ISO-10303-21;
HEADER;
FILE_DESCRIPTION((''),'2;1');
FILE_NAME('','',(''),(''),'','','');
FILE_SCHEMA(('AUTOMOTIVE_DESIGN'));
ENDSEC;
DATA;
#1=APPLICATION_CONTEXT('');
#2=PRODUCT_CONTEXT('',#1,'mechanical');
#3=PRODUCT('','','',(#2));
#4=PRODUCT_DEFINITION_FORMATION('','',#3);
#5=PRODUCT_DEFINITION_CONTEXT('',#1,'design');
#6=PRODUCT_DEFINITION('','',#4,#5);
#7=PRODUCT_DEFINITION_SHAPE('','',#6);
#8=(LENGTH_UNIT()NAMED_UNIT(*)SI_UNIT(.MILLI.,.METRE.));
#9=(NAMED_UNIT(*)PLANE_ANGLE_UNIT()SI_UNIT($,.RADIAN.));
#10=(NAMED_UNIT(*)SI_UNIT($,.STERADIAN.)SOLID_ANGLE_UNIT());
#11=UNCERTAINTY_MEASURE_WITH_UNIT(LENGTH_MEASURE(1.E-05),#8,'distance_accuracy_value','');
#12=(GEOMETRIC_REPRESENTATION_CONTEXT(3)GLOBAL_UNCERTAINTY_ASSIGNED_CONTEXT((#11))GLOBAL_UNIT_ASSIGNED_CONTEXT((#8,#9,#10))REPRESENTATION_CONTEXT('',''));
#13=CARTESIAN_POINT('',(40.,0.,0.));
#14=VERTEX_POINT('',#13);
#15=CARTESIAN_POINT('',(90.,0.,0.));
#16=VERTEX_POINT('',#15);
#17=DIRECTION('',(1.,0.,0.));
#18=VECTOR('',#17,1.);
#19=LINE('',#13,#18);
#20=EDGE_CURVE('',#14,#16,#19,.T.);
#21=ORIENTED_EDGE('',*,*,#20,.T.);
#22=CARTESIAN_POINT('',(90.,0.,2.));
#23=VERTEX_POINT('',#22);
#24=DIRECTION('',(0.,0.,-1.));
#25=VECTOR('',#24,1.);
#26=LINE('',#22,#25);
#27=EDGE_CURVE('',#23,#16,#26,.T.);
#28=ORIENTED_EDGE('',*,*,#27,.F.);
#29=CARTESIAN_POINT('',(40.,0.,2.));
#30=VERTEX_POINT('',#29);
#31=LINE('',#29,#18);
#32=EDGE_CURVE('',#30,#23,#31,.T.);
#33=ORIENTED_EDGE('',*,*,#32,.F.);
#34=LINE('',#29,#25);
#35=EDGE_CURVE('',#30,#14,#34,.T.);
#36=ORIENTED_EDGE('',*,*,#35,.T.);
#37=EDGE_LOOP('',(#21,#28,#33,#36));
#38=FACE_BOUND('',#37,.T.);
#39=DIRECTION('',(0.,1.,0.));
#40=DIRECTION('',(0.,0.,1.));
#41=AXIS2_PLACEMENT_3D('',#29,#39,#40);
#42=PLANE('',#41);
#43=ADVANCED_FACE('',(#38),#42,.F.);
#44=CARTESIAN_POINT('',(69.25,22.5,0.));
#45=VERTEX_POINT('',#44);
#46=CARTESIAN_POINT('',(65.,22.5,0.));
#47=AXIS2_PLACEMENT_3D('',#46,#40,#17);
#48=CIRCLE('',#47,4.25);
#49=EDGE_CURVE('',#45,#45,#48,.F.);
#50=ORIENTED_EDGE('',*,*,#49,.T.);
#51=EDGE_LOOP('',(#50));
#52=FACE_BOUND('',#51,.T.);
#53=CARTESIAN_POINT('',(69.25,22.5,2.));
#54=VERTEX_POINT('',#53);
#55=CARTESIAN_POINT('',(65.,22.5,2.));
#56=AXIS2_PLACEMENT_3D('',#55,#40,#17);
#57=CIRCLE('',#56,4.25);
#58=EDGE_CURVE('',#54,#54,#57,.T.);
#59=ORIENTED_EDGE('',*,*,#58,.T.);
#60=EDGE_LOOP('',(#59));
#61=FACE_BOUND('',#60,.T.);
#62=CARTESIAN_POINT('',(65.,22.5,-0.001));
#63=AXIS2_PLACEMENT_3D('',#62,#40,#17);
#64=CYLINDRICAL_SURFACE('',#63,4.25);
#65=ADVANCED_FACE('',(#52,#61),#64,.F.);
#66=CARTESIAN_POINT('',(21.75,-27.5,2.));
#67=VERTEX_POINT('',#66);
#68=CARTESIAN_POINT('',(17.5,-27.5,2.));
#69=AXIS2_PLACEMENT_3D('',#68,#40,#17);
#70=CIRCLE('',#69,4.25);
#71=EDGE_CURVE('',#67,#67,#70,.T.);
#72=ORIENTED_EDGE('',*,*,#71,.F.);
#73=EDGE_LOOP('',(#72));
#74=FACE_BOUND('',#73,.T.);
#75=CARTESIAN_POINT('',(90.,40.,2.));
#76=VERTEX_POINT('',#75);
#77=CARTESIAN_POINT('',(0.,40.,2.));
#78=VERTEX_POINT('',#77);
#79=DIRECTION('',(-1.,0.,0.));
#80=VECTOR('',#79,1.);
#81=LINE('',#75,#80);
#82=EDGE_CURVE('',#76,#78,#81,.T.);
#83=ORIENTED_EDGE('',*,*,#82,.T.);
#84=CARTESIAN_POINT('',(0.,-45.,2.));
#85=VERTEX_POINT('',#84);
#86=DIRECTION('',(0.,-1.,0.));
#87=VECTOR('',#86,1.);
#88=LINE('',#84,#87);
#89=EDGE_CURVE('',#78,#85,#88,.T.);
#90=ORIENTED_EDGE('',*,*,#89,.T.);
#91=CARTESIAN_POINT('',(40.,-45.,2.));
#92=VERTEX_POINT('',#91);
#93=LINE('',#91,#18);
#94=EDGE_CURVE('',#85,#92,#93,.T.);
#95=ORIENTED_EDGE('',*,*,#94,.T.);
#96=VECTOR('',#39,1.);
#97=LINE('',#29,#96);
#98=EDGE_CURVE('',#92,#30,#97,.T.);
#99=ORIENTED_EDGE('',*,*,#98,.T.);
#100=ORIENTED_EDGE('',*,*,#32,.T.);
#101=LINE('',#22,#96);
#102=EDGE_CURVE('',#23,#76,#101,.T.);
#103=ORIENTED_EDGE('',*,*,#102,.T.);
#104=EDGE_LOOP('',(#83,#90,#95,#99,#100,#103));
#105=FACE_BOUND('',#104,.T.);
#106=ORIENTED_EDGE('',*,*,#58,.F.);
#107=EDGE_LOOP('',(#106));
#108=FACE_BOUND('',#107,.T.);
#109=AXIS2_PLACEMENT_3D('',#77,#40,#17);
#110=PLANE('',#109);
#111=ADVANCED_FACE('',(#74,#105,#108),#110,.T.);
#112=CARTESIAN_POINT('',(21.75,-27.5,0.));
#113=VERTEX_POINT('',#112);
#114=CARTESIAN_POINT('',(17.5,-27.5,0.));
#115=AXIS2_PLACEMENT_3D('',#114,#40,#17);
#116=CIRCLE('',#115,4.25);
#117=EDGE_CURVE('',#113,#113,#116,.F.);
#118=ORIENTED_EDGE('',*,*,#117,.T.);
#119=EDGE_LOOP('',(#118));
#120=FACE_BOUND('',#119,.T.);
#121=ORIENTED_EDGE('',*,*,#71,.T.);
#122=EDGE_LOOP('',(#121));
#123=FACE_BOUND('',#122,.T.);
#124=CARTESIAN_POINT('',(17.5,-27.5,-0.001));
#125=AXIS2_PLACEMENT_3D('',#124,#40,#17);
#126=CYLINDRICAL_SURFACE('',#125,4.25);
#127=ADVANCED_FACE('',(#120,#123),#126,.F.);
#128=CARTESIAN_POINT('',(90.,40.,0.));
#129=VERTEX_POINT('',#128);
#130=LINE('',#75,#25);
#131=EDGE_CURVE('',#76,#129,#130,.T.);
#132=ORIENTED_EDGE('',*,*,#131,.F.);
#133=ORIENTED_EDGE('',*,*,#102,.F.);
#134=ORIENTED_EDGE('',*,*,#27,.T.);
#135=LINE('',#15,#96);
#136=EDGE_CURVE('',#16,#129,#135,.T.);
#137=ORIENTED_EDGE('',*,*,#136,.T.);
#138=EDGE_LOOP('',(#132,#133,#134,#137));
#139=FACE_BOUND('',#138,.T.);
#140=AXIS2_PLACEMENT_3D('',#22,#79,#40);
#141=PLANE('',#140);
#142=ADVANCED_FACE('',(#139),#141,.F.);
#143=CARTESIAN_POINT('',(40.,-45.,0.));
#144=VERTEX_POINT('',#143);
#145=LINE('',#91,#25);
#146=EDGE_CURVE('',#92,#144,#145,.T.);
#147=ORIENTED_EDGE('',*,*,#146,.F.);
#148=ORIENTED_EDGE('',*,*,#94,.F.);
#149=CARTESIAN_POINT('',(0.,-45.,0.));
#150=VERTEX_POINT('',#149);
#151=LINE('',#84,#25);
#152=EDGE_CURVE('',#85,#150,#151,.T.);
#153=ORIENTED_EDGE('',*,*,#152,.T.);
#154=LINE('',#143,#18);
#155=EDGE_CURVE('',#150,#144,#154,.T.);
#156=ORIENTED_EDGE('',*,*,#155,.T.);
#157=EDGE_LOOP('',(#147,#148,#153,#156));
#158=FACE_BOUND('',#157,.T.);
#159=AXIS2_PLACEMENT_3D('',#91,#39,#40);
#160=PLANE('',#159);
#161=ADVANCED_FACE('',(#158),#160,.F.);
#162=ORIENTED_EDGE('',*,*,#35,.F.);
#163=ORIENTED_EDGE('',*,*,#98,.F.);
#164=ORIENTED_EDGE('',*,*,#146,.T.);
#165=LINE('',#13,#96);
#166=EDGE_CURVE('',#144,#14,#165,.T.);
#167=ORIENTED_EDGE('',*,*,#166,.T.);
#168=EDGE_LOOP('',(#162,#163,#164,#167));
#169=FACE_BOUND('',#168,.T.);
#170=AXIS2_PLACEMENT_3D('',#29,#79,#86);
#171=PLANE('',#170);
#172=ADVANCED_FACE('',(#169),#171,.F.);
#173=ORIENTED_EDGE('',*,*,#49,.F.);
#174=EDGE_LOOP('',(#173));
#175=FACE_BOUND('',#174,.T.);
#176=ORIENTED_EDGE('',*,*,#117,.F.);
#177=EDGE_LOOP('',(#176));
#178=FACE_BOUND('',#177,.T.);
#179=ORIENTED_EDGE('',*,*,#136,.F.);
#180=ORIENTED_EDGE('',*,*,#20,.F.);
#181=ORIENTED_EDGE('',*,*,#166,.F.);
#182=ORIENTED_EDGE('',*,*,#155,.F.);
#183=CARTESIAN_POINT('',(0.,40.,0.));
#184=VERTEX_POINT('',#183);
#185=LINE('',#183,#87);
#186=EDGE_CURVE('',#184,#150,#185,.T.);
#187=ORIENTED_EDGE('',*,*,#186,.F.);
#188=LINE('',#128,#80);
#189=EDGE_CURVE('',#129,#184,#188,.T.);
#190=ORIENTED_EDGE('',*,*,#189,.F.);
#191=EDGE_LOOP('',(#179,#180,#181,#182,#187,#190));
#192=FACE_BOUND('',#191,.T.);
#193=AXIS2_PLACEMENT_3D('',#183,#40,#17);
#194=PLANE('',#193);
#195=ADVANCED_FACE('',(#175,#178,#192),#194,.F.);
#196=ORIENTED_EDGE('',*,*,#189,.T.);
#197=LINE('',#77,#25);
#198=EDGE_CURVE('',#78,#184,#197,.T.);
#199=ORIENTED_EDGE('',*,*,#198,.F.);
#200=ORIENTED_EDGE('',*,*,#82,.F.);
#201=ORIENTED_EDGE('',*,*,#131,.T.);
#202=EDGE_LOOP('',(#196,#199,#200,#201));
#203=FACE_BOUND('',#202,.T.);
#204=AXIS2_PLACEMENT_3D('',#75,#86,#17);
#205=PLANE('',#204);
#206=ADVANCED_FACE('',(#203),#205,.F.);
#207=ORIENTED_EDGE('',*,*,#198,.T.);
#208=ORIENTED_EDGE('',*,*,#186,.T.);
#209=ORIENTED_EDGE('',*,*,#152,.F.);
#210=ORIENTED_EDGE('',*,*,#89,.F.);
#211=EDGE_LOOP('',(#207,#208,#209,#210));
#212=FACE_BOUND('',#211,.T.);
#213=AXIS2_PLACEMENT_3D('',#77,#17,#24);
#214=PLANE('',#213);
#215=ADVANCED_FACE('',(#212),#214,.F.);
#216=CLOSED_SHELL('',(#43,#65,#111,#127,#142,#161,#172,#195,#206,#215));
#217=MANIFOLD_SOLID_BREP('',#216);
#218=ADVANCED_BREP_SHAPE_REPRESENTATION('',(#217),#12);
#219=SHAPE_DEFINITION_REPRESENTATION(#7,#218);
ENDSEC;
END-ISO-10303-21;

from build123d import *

# Parameters (mm, degrees)
BOSS_EXTRUDE1_DEPTH = 2
CUT_EXTRUDE1_REACH  = 4
SKETCH2_R           = 4.25


with BuildPart() as part:
    # Sketch1 → Boss-Extrude1 (new body)
    with BuildSketch(Plane.XY):
        Polygon((40, 0), (40, -45), (0, -45), (0, 0), (0, 40), (90, 40), (90, 0), align=None)
    extrude(amount=BOSS_EXTRUDE1_DEPTH)

    # Sketch2 → Cut-Extrude1 (cut, up to next)
    with BuildSketch(Plane.XY.offset(2), mode=Mode.PRIVATE) as cut_extrude1_sk1:
        with Locations((17.5, -27.5)):
            Circle(SKETCH2_R)
    cut_extrude1_tool1 = extrude(cut_extrude1_sk1.sketch, amount=-CUT_EXTRUDE1_REACH, mode=Mode.PRIVATE) & part.part
    add(cut_extrude1_tool1.solids().sort_by_distance((17.5, -27.5, 2))[0], mode=Mode.SUBTRACT)
    # Sketch2 → Cut-Extrude1 (cut, up to next)
    with BuildSketch(Plane.XY.offset(2), mode=Mode.PRIVATE) as cut_extrude1_sk2:
        with Locations((65, 22.5)):
            Circle(SKETCH2_R)
    cut_extrude1_tool2 = extrude(cut_extrude1_sk2.sketch, amount=-CUT_EXTRUDE1_REACH, mode=Mode.PRIVATE) & part.part
    add(cut_extrude1_tool2.solids().sort_by_distance((65, 22.5, 2))[0], mode=Mode.SUBTRACT)


solid = part.part
